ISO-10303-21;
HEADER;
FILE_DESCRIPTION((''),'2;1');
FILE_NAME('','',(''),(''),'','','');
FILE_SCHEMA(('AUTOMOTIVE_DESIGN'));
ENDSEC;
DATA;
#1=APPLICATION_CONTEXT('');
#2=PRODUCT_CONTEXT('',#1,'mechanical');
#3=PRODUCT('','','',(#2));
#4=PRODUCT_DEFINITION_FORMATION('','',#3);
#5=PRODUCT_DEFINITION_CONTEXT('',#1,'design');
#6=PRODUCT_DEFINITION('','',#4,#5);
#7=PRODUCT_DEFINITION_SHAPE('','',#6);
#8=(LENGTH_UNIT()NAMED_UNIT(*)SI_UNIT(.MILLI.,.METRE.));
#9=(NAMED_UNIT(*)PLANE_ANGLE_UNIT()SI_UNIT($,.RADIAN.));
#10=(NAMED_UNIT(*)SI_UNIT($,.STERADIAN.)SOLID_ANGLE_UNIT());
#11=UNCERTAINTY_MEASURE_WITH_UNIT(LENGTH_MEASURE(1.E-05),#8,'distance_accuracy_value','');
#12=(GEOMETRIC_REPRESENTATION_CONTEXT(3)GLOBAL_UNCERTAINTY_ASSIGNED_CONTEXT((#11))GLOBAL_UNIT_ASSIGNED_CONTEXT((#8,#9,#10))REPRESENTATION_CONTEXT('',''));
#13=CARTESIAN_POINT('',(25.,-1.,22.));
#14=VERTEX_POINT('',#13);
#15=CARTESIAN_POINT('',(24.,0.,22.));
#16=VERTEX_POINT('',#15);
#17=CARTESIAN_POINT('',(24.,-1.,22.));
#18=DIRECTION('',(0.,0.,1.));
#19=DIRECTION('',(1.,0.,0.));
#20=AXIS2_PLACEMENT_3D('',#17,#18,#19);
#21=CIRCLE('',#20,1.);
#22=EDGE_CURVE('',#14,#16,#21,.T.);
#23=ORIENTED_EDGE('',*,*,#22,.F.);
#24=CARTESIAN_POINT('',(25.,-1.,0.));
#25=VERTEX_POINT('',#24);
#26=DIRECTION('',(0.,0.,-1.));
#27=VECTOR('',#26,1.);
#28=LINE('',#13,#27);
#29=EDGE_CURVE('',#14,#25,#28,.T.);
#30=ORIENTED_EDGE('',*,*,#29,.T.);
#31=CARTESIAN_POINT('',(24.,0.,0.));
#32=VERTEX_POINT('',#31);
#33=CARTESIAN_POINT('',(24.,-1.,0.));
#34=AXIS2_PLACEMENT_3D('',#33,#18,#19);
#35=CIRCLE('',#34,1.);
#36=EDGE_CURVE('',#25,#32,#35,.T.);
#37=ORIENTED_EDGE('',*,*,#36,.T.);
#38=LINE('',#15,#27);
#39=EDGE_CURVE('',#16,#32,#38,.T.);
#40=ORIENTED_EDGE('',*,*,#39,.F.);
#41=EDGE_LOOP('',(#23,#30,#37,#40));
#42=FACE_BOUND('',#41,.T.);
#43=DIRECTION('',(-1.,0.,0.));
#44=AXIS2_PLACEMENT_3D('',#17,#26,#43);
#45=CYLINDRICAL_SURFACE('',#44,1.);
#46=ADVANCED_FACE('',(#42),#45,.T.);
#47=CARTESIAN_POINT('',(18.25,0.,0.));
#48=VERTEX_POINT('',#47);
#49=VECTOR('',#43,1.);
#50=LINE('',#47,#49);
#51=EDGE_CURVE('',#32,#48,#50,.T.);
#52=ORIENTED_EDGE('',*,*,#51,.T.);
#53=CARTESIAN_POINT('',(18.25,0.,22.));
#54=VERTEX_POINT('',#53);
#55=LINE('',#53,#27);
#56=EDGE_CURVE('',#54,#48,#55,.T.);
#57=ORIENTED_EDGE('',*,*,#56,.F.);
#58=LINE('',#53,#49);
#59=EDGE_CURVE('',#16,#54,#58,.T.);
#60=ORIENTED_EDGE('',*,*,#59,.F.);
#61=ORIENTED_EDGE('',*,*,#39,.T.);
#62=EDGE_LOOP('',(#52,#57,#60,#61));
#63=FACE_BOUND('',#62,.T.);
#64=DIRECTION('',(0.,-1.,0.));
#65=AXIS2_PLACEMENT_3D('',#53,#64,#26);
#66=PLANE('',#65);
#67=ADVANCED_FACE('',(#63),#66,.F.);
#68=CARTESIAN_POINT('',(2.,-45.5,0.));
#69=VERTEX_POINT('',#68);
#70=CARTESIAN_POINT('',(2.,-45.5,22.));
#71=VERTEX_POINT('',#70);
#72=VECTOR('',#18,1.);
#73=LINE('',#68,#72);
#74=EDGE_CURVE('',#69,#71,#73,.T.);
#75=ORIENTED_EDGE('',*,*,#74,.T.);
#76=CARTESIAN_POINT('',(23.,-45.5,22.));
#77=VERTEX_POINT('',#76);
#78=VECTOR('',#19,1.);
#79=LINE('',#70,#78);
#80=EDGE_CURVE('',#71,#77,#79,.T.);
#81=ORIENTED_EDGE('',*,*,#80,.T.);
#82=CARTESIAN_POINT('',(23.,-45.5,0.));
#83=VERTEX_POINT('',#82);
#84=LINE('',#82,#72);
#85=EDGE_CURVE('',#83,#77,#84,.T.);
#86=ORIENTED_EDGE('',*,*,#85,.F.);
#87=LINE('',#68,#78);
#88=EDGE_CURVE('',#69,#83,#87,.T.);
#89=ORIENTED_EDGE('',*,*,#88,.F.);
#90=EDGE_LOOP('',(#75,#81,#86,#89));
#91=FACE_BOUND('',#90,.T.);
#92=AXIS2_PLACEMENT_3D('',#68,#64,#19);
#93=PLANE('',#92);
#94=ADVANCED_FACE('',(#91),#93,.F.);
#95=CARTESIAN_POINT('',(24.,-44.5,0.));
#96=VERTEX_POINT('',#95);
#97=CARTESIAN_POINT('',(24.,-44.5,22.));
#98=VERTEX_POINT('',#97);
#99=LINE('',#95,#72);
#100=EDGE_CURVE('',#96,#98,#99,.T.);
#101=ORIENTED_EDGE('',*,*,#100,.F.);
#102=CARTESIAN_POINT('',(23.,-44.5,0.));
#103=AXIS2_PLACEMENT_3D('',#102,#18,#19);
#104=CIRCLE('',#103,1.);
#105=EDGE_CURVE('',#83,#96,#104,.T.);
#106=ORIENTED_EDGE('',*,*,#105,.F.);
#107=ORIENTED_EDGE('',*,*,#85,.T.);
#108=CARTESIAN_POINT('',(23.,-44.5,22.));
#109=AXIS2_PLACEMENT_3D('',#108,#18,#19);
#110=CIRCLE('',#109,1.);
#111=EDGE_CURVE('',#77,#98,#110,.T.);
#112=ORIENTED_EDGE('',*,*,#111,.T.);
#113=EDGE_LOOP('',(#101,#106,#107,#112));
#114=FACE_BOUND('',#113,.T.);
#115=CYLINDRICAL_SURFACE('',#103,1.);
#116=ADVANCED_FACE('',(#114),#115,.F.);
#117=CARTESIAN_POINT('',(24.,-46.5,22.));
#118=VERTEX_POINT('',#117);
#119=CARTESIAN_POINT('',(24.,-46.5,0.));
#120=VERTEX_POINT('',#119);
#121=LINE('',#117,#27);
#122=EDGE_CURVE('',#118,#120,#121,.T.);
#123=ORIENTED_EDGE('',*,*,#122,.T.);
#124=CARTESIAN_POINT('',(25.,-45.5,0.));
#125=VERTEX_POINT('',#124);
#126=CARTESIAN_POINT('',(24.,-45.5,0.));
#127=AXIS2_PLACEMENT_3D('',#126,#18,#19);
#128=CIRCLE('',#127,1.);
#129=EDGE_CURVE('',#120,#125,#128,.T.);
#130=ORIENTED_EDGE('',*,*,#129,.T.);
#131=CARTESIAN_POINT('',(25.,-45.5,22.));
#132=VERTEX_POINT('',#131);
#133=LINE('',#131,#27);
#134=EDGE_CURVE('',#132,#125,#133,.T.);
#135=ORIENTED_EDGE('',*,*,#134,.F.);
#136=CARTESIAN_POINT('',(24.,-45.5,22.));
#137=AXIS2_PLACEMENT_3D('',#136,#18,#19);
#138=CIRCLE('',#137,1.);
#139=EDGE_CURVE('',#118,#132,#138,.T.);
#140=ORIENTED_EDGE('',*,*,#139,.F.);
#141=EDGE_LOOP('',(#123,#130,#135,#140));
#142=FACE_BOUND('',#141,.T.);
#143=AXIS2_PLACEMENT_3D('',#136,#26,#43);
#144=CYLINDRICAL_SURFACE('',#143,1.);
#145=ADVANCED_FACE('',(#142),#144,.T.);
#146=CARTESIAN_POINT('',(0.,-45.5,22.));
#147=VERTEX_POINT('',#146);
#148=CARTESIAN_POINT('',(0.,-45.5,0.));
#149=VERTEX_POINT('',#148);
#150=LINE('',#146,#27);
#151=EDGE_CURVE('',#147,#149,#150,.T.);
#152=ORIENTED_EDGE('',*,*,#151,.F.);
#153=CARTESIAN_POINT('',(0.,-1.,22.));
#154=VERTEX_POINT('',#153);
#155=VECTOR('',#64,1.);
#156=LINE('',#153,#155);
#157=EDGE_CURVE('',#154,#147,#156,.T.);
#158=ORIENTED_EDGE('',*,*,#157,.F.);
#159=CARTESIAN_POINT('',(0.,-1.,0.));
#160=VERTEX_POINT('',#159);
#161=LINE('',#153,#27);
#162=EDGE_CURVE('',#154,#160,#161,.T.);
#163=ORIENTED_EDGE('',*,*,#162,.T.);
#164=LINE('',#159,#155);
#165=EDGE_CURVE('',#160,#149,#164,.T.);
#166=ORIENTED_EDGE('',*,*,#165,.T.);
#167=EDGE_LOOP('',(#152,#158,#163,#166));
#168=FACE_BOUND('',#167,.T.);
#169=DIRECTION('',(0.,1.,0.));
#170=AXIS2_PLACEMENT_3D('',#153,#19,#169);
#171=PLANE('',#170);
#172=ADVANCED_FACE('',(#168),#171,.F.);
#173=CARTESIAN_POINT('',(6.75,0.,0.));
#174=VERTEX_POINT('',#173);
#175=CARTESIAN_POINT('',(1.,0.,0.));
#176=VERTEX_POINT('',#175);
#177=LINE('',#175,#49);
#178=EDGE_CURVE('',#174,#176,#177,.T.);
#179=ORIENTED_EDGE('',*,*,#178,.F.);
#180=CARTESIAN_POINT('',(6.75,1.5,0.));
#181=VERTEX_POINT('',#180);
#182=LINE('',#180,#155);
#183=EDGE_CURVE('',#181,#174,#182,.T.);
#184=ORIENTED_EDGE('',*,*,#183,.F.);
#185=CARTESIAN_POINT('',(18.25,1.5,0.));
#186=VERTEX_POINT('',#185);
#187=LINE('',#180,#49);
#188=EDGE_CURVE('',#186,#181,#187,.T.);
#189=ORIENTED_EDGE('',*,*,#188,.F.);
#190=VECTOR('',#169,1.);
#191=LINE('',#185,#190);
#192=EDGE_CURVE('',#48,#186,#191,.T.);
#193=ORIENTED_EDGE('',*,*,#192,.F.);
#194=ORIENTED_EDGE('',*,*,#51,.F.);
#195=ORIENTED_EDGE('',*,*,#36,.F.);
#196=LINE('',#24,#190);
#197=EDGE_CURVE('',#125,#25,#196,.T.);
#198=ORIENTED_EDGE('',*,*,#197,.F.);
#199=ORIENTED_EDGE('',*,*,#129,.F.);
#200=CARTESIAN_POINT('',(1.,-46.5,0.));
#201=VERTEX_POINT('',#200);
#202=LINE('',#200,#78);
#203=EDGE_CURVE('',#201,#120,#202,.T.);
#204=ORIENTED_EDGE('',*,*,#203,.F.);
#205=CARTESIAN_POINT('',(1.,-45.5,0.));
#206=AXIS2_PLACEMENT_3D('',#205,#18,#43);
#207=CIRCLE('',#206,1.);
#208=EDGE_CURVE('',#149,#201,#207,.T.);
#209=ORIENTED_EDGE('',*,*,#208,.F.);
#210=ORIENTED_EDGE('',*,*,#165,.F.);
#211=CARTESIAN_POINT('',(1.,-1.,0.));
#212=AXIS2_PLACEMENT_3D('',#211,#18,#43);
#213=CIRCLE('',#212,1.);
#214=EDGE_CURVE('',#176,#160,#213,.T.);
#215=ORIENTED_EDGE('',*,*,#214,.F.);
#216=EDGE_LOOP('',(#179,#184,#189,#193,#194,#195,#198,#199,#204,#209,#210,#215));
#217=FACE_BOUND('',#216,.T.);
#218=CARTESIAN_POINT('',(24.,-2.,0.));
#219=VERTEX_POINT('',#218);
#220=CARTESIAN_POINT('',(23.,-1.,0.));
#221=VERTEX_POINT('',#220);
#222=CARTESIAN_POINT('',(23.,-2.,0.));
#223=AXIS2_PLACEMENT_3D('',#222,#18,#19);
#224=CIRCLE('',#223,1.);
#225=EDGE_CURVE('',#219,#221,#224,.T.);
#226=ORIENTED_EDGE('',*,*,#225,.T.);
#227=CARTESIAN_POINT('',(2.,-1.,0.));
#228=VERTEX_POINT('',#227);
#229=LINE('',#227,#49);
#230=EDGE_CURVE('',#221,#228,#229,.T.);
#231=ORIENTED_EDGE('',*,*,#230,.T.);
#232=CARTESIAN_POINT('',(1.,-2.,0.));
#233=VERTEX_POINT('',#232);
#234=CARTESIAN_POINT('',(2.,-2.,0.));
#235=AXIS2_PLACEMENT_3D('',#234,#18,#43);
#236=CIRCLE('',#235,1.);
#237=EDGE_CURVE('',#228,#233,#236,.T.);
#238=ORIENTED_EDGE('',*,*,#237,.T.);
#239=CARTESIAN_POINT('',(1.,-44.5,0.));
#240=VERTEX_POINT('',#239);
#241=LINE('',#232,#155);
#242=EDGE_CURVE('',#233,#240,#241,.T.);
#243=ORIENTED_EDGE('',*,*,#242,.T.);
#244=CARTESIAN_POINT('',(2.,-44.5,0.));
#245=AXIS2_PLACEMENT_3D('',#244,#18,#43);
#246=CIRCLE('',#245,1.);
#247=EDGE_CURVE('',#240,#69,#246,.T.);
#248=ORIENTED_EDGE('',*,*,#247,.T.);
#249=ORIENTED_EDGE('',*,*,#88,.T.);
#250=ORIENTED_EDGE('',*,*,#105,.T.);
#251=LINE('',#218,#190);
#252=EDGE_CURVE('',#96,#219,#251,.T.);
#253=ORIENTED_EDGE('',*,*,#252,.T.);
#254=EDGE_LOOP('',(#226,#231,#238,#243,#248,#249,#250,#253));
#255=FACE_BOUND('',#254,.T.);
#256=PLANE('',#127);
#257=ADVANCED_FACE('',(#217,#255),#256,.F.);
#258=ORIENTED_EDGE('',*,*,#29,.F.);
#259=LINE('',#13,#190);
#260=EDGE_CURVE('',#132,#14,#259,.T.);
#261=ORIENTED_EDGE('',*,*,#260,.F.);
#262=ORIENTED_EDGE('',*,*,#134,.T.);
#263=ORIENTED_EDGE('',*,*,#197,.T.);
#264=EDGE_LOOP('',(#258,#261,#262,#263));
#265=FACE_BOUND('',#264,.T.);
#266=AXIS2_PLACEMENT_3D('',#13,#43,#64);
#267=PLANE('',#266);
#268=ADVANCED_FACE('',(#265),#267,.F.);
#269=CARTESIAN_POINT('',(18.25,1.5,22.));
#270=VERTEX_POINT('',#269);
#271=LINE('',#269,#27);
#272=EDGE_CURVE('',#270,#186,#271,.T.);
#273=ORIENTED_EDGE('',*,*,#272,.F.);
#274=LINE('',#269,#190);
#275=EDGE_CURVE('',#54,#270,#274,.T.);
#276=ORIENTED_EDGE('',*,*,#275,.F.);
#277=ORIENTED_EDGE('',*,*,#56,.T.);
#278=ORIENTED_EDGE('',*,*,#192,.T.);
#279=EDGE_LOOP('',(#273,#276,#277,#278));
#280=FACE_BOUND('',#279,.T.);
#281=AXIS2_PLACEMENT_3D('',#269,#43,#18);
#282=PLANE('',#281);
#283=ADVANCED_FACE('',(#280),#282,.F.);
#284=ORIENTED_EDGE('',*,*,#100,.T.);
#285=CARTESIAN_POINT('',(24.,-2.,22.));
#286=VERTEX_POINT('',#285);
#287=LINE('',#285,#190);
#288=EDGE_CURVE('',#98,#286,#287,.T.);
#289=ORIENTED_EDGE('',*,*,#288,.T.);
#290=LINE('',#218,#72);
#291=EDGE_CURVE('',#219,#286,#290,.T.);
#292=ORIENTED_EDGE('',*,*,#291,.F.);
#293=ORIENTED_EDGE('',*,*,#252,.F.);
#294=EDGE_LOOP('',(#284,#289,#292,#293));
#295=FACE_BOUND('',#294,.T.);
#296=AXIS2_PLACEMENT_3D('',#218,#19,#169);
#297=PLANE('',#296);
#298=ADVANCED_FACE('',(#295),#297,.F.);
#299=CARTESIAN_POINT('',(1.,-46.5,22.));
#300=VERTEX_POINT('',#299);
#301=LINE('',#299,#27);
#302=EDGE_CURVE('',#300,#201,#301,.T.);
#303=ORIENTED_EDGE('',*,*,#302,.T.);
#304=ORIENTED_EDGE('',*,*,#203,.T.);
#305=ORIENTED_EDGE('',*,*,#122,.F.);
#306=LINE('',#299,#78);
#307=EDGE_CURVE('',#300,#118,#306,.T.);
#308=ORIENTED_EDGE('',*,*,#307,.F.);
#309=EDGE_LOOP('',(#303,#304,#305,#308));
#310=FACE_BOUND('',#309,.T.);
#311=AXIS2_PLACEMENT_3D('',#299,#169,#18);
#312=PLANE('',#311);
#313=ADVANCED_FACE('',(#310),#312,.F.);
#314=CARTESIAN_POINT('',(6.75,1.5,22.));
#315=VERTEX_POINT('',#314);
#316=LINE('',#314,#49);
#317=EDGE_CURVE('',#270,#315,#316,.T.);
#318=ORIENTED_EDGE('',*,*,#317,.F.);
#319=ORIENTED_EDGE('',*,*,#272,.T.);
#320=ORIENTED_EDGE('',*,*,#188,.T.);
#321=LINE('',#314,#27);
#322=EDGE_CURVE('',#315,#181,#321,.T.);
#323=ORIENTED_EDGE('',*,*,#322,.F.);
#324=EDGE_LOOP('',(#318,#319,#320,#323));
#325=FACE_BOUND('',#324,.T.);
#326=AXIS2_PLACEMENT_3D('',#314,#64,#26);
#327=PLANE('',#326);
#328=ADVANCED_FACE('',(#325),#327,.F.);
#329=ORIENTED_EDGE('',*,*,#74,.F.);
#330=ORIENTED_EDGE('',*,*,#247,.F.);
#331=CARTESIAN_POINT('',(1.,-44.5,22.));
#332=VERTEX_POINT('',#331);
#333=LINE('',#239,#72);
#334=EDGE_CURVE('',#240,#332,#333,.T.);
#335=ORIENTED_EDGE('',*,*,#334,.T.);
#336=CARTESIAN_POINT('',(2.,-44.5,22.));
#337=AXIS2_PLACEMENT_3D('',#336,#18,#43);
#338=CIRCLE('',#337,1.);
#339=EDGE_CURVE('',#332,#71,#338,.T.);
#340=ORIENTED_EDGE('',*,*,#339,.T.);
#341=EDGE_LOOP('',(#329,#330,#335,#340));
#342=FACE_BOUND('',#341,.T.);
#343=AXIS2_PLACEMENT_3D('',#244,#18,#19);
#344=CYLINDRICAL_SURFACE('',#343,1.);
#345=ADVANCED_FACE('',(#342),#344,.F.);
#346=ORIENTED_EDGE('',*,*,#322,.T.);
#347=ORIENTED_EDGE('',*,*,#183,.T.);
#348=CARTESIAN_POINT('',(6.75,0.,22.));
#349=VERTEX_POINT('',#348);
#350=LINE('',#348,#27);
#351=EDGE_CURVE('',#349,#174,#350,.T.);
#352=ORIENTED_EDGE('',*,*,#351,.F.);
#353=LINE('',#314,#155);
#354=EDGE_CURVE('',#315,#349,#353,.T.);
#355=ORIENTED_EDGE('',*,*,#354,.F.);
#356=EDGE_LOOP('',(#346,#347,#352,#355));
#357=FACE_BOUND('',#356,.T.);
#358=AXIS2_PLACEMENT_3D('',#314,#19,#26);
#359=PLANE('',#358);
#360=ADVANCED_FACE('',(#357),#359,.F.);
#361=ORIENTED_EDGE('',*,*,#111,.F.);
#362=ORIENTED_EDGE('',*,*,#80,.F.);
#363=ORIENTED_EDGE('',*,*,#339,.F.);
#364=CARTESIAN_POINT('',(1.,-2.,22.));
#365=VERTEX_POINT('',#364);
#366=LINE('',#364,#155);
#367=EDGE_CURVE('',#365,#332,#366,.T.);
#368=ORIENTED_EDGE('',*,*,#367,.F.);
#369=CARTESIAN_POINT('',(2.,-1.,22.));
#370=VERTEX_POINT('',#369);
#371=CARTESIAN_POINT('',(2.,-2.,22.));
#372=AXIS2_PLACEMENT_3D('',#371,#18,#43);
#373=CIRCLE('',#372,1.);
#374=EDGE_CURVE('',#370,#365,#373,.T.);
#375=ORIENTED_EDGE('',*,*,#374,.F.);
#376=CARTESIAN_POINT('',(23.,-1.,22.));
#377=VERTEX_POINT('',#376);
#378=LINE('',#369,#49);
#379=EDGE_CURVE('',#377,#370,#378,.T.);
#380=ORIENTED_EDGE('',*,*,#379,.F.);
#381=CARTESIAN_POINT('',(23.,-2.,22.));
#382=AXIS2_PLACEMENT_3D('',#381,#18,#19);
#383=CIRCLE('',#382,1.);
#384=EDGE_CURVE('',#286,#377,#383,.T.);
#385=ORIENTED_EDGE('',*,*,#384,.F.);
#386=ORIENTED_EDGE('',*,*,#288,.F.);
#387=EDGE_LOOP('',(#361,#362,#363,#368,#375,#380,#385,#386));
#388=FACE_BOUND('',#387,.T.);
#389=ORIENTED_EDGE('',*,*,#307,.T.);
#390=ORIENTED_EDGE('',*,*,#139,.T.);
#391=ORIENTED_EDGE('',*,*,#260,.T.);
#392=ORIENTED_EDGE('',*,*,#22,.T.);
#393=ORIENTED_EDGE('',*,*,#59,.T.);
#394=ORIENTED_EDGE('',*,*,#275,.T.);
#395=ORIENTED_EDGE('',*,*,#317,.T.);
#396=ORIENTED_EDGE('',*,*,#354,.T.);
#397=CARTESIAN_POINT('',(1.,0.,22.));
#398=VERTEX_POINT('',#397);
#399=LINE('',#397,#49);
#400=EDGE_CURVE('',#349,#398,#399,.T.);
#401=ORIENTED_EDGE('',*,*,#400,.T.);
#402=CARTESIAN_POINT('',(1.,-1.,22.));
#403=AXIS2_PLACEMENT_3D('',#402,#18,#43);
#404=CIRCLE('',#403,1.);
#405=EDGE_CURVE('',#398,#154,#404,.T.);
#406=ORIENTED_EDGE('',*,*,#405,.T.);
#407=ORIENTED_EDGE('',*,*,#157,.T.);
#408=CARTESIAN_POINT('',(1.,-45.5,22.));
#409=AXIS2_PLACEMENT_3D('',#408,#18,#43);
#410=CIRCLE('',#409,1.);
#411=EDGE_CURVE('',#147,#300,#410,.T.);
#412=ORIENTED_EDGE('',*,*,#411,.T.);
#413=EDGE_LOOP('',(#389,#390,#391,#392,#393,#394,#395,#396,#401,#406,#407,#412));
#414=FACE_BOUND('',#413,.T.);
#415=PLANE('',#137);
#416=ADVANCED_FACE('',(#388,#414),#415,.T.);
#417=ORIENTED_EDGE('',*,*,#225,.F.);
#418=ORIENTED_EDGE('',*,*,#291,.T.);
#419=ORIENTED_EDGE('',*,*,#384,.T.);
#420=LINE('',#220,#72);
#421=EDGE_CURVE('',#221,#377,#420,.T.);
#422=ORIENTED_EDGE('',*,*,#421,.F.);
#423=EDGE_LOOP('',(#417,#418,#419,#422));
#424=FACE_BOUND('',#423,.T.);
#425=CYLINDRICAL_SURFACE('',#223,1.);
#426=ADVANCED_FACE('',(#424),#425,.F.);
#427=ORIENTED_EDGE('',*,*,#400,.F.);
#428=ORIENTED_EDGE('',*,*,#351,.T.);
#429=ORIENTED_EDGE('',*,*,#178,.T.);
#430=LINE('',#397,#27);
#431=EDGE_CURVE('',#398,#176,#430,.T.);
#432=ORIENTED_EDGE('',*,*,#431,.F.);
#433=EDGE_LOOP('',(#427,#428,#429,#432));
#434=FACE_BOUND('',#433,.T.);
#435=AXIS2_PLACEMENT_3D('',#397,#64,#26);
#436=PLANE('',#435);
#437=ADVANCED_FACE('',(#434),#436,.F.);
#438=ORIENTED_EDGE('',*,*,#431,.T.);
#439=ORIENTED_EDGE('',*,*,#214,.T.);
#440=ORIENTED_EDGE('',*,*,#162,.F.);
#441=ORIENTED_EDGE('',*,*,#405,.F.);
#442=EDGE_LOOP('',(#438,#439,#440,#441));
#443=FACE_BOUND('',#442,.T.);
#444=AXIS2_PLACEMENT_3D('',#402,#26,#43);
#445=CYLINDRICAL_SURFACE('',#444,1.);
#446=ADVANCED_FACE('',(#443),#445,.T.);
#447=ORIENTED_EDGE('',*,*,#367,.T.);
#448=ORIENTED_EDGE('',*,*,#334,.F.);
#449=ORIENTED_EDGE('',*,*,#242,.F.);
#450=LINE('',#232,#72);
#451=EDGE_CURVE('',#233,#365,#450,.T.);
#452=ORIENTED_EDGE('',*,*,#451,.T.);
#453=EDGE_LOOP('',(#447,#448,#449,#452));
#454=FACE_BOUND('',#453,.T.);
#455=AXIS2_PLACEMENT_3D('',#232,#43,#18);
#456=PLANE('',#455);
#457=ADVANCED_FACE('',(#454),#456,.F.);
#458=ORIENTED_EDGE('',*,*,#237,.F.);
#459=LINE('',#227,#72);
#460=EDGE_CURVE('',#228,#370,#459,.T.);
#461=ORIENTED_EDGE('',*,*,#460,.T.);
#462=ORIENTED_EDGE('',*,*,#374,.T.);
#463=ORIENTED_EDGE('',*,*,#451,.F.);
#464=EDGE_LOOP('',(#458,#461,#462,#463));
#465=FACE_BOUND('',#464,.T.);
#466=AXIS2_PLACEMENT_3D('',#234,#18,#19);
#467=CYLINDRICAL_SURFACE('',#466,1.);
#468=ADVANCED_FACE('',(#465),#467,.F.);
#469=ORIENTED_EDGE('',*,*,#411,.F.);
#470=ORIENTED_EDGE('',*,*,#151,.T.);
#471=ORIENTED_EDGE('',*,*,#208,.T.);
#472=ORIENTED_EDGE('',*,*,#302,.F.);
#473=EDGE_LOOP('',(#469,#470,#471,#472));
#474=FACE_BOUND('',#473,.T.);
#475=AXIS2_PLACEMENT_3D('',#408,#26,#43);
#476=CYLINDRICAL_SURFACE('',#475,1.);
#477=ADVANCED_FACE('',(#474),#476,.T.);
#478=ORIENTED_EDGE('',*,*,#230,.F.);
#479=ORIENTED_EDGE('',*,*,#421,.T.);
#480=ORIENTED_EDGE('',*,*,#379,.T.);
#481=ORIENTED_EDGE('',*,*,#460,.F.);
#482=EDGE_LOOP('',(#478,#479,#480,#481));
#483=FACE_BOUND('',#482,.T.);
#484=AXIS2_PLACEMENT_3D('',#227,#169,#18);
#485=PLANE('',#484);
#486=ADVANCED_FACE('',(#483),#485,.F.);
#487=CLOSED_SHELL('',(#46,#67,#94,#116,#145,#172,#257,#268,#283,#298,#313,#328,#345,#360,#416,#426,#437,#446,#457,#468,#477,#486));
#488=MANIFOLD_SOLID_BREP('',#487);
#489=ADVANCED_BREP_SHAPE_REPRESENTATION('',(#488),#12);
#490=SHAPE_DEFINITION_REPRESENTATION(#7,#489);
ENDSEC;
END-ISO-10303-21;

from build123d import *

# Parameters (mm, degrees)
BOSS_EXTRUDE1_DEPTH = 22
CUT_EXTRUDE1_DEPTH  = 22


with BuildPart() as part:
    # Sketch1 → Boss-Extrude1 (new body)
    with BuildSketch(Plane.XY):
        with BuildLine():
            Line((6.75, 1.5), (6.75, 0))
            Line((6.75, 0), (1, 0))
            ThreePointArc((1, 0), (0.292893219, -0.292893219), (0, -1))
            Line((0, -1), (0, -45.5))
            ThreePointArc((0, -45.5), (0.292893219, -46.207106781), (1, -46.5))
            Line((1, -46.5), (24, -46.5))
            ThreePointArc((24, -46.5), (24.707106781, -46.207106781), (25, -45.5))
            Line((25, -45.5), (25, -1))
            ThreePointArc((25, -1), (24.707106781, -0.292893219), (24, 0))
            Line((24, 0), (18.25, 0))
            Line((18.25, 0), (18.25, 1.5))
            Line((18.25, 1.5), (6.75, 1.5))
        make_face()
    extrude(amount=BOSS_EXTRUDE1_DEPTH)

    # Sketch2 → Cut-Extrude1 (cut)
    with BuildSketch(Plane.XY.offset(22)):
        with BuildLine():
            Line((2, -1), (23, -1))
            ThreePointArc((23, -1), (23.707106781, -1.292893219), (24, -2))
            Line((24, -2), (24, -44.5))
            ThreePointArc((24, -44.5), (23.707106781, -45.207106781), (23, -45.5))
            Line((23, -45.5), (2, -45.5))
            ThreePointArc((2, -45.5), (1.292893219, -45.207106781), (1, -44.5))
            Line((1, -44.5), (1, -2))
            ThreePointArc((1, -2), (1.292893219, -1.292893219), (2, -1))
        make_face()
    extrude(amount=-CUT_EXTRUDE1_DEPTH, mode=Mode.SUBTRACT)


solid = part.part
